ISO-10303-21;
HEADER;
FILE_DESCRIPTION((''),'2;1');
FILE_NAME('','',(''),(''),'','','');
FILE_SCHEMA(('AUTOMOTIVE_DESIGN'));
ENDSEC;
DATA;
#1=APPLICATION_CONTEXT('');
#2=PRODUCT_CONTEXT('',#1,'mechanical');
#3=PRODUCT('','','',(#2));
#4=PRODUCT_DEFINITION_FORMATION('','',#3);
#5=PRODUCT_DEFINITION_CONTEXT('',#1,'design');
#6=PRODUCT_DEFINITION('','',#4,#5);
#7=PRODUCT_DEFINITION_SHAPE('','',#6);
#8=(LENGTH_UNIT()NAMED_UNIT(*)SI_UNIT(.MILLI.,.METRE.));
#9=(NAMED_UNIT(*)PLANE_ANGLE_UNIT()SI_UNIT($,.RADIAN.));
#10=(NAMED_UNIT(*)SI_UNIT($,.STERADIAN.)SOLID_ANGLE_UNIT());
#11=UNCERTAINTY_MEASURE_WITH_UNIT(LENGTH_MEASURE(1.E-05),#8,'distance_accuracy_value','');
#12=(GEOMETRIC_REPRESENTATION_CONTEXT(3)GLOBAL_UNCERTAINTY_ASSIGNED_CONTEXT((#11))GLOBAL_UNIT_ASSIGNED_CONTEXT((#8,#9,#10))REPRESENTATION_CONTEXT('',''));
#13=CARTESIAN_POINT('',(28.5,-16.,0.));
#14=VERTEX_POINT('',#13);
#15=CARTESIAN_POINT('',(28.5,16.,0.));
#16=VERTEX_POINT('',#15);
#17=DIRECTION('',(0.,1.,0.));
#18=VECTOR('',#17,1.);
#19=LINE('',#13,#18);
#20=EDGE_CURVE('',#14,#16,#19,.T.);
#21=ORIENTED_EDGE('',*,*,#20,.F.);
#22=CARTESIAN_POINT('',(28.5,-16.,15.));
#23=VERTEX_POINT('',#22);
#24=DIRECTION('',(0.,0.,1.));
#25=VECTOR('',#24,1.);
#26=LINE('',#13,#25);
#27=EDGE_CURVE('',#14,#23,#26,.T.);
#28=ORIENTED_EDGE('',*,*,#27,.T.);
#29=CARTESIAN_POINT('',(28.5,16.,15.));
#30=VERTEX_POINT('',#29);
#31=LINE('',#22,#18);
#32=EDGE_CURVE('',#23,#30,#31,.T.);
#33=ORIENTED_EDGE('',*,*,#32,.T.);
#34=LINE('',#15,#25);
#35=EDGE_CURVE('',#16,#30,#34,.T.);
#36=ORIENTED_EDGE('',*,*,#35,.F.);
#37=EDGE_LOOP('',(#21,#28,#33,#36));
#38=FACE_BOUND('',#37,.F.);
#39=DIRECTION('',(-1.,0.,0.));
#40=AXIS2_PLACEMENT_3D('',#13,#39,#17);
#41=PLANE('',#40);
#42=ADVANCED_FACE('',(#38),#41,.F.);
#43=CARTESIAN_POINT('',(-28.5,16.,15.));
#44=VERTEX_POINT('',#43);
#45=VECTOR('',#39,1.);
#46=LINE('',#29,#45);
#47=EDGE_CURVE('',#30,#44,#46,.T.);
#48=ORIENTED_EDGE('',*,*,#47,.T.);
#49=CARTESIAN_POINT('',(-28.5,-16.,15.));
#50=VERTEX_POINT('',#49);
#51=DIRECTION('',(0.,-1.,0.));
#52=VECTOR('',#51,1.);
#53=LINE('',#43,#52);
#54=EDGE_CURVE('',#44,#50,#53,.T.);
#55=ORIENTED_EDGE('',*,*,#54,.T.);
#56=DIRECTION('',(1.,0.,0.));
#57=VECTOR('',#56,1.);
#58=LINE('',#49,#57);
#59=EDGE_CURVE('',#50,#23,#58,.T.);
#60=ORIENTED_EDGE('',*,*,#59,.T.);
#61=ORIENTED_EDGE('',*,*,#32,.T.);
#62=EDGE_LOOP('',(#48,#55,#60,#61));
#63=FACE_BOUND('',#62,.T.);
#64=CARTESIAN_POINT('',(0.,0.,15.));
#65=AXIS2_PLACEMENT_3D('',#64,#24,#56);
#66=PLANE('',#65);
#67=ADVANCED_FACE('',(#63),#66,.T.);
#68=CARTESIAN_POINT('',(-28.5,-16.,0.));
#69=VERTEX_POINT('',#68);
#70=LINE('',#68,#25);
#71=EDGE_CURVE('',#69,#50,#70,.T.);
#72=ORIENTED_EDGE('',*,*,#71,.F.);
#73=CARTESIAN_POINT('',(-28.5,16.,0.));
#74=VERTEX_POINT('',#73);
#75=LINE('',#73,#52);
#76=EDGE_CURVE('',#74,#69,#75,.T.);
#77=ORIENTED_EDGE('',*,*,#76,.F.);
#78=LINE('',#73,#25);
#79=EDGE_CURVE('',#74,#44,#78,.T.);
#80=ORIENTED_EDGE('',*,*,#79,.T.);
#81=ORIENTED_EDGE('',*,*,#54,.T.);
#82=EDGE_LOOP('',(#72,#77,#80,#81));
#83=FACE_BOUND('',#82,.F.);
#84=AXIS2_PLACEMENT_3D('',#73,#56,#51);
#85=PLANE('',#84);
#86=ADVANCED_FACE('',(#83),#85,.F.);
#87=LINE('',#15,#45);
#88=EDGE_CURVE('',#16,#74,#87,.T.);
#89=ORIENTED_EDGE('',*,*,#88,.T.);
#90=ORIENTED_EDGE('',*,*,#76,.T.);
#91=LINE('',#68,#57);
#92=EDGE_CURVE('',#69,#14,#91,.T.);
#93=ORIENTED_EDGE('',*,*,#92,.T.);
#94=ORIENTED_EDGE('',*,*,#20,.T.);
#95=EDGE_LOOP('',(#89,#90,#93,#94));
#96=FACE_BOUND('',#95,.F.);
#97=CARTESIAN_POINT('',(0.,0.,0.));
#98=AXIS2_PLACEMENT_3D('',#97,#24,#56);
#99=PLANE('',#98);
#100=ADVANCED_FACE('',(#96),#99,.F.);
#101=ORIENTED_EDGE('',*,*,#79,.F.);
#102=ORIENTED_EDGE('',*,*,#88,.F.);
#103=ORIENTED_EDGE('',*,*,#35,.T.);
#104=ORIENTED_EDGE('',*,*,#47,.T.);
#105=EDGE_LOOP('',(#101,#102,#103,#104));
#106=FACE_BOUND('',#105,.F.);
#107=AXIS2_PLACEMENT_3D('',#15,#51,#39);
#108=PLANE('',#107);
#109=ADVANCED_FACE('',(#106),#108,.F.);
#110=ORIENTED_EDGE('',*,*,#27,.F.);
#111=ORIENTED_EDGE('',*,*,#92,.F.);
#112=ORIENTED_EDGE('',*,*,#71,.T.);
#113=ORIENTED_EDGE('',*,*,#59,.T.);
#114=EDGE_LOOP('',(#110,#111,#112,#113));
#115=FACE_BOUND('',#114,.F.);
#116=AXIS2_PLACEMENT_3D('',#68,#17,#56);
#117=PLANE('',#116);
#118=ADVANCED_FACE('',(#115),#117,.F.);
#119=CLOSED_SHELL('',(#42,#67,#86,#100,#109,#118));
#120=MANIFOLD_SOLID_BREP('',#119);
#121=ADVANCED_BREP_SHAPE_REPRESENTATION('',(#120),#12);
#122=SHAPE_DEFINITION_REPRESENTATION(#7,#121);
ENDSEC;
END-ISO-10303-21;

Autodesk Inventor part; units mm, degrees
ref_plane "YZ Plane" through (0, 0, 0) normal (1, 0, 0) x (0, 1, 0)
ref_plane "XZ Plane" through (0, 0, 0) normal (0, 1, 0) x (-1, 0, 0)
ref_plane "XY Plane" through (0, 0, 0) normal (0, 0, 1) x (1, 0, 0)
sketch "スケッチ1" plane through (0, 0, 0) normal (0, 0, 1) x (1, 0, 0)
  line L0 (-28.5, -16) -> (28.5, -16)
  line L1 (28.5, -16) -> (28.5, 16)
  line L2 (28.5, 16) -> (-28.5, 16)
  line L3 (-28.5, 16) -> (-28.5, -16)
  line L4 (-28.5, -16) -> (28.5, 16) construction
  line L5 (28.5, -16) -> (-28.5, 16) construction
  point P0 (0, 0)
  dimension "d0" = 57
  dimension "d1" = 32
extrude "押し出し1" add sketch "スケッチ1" along normal blind 15
properties part number "450mah"
